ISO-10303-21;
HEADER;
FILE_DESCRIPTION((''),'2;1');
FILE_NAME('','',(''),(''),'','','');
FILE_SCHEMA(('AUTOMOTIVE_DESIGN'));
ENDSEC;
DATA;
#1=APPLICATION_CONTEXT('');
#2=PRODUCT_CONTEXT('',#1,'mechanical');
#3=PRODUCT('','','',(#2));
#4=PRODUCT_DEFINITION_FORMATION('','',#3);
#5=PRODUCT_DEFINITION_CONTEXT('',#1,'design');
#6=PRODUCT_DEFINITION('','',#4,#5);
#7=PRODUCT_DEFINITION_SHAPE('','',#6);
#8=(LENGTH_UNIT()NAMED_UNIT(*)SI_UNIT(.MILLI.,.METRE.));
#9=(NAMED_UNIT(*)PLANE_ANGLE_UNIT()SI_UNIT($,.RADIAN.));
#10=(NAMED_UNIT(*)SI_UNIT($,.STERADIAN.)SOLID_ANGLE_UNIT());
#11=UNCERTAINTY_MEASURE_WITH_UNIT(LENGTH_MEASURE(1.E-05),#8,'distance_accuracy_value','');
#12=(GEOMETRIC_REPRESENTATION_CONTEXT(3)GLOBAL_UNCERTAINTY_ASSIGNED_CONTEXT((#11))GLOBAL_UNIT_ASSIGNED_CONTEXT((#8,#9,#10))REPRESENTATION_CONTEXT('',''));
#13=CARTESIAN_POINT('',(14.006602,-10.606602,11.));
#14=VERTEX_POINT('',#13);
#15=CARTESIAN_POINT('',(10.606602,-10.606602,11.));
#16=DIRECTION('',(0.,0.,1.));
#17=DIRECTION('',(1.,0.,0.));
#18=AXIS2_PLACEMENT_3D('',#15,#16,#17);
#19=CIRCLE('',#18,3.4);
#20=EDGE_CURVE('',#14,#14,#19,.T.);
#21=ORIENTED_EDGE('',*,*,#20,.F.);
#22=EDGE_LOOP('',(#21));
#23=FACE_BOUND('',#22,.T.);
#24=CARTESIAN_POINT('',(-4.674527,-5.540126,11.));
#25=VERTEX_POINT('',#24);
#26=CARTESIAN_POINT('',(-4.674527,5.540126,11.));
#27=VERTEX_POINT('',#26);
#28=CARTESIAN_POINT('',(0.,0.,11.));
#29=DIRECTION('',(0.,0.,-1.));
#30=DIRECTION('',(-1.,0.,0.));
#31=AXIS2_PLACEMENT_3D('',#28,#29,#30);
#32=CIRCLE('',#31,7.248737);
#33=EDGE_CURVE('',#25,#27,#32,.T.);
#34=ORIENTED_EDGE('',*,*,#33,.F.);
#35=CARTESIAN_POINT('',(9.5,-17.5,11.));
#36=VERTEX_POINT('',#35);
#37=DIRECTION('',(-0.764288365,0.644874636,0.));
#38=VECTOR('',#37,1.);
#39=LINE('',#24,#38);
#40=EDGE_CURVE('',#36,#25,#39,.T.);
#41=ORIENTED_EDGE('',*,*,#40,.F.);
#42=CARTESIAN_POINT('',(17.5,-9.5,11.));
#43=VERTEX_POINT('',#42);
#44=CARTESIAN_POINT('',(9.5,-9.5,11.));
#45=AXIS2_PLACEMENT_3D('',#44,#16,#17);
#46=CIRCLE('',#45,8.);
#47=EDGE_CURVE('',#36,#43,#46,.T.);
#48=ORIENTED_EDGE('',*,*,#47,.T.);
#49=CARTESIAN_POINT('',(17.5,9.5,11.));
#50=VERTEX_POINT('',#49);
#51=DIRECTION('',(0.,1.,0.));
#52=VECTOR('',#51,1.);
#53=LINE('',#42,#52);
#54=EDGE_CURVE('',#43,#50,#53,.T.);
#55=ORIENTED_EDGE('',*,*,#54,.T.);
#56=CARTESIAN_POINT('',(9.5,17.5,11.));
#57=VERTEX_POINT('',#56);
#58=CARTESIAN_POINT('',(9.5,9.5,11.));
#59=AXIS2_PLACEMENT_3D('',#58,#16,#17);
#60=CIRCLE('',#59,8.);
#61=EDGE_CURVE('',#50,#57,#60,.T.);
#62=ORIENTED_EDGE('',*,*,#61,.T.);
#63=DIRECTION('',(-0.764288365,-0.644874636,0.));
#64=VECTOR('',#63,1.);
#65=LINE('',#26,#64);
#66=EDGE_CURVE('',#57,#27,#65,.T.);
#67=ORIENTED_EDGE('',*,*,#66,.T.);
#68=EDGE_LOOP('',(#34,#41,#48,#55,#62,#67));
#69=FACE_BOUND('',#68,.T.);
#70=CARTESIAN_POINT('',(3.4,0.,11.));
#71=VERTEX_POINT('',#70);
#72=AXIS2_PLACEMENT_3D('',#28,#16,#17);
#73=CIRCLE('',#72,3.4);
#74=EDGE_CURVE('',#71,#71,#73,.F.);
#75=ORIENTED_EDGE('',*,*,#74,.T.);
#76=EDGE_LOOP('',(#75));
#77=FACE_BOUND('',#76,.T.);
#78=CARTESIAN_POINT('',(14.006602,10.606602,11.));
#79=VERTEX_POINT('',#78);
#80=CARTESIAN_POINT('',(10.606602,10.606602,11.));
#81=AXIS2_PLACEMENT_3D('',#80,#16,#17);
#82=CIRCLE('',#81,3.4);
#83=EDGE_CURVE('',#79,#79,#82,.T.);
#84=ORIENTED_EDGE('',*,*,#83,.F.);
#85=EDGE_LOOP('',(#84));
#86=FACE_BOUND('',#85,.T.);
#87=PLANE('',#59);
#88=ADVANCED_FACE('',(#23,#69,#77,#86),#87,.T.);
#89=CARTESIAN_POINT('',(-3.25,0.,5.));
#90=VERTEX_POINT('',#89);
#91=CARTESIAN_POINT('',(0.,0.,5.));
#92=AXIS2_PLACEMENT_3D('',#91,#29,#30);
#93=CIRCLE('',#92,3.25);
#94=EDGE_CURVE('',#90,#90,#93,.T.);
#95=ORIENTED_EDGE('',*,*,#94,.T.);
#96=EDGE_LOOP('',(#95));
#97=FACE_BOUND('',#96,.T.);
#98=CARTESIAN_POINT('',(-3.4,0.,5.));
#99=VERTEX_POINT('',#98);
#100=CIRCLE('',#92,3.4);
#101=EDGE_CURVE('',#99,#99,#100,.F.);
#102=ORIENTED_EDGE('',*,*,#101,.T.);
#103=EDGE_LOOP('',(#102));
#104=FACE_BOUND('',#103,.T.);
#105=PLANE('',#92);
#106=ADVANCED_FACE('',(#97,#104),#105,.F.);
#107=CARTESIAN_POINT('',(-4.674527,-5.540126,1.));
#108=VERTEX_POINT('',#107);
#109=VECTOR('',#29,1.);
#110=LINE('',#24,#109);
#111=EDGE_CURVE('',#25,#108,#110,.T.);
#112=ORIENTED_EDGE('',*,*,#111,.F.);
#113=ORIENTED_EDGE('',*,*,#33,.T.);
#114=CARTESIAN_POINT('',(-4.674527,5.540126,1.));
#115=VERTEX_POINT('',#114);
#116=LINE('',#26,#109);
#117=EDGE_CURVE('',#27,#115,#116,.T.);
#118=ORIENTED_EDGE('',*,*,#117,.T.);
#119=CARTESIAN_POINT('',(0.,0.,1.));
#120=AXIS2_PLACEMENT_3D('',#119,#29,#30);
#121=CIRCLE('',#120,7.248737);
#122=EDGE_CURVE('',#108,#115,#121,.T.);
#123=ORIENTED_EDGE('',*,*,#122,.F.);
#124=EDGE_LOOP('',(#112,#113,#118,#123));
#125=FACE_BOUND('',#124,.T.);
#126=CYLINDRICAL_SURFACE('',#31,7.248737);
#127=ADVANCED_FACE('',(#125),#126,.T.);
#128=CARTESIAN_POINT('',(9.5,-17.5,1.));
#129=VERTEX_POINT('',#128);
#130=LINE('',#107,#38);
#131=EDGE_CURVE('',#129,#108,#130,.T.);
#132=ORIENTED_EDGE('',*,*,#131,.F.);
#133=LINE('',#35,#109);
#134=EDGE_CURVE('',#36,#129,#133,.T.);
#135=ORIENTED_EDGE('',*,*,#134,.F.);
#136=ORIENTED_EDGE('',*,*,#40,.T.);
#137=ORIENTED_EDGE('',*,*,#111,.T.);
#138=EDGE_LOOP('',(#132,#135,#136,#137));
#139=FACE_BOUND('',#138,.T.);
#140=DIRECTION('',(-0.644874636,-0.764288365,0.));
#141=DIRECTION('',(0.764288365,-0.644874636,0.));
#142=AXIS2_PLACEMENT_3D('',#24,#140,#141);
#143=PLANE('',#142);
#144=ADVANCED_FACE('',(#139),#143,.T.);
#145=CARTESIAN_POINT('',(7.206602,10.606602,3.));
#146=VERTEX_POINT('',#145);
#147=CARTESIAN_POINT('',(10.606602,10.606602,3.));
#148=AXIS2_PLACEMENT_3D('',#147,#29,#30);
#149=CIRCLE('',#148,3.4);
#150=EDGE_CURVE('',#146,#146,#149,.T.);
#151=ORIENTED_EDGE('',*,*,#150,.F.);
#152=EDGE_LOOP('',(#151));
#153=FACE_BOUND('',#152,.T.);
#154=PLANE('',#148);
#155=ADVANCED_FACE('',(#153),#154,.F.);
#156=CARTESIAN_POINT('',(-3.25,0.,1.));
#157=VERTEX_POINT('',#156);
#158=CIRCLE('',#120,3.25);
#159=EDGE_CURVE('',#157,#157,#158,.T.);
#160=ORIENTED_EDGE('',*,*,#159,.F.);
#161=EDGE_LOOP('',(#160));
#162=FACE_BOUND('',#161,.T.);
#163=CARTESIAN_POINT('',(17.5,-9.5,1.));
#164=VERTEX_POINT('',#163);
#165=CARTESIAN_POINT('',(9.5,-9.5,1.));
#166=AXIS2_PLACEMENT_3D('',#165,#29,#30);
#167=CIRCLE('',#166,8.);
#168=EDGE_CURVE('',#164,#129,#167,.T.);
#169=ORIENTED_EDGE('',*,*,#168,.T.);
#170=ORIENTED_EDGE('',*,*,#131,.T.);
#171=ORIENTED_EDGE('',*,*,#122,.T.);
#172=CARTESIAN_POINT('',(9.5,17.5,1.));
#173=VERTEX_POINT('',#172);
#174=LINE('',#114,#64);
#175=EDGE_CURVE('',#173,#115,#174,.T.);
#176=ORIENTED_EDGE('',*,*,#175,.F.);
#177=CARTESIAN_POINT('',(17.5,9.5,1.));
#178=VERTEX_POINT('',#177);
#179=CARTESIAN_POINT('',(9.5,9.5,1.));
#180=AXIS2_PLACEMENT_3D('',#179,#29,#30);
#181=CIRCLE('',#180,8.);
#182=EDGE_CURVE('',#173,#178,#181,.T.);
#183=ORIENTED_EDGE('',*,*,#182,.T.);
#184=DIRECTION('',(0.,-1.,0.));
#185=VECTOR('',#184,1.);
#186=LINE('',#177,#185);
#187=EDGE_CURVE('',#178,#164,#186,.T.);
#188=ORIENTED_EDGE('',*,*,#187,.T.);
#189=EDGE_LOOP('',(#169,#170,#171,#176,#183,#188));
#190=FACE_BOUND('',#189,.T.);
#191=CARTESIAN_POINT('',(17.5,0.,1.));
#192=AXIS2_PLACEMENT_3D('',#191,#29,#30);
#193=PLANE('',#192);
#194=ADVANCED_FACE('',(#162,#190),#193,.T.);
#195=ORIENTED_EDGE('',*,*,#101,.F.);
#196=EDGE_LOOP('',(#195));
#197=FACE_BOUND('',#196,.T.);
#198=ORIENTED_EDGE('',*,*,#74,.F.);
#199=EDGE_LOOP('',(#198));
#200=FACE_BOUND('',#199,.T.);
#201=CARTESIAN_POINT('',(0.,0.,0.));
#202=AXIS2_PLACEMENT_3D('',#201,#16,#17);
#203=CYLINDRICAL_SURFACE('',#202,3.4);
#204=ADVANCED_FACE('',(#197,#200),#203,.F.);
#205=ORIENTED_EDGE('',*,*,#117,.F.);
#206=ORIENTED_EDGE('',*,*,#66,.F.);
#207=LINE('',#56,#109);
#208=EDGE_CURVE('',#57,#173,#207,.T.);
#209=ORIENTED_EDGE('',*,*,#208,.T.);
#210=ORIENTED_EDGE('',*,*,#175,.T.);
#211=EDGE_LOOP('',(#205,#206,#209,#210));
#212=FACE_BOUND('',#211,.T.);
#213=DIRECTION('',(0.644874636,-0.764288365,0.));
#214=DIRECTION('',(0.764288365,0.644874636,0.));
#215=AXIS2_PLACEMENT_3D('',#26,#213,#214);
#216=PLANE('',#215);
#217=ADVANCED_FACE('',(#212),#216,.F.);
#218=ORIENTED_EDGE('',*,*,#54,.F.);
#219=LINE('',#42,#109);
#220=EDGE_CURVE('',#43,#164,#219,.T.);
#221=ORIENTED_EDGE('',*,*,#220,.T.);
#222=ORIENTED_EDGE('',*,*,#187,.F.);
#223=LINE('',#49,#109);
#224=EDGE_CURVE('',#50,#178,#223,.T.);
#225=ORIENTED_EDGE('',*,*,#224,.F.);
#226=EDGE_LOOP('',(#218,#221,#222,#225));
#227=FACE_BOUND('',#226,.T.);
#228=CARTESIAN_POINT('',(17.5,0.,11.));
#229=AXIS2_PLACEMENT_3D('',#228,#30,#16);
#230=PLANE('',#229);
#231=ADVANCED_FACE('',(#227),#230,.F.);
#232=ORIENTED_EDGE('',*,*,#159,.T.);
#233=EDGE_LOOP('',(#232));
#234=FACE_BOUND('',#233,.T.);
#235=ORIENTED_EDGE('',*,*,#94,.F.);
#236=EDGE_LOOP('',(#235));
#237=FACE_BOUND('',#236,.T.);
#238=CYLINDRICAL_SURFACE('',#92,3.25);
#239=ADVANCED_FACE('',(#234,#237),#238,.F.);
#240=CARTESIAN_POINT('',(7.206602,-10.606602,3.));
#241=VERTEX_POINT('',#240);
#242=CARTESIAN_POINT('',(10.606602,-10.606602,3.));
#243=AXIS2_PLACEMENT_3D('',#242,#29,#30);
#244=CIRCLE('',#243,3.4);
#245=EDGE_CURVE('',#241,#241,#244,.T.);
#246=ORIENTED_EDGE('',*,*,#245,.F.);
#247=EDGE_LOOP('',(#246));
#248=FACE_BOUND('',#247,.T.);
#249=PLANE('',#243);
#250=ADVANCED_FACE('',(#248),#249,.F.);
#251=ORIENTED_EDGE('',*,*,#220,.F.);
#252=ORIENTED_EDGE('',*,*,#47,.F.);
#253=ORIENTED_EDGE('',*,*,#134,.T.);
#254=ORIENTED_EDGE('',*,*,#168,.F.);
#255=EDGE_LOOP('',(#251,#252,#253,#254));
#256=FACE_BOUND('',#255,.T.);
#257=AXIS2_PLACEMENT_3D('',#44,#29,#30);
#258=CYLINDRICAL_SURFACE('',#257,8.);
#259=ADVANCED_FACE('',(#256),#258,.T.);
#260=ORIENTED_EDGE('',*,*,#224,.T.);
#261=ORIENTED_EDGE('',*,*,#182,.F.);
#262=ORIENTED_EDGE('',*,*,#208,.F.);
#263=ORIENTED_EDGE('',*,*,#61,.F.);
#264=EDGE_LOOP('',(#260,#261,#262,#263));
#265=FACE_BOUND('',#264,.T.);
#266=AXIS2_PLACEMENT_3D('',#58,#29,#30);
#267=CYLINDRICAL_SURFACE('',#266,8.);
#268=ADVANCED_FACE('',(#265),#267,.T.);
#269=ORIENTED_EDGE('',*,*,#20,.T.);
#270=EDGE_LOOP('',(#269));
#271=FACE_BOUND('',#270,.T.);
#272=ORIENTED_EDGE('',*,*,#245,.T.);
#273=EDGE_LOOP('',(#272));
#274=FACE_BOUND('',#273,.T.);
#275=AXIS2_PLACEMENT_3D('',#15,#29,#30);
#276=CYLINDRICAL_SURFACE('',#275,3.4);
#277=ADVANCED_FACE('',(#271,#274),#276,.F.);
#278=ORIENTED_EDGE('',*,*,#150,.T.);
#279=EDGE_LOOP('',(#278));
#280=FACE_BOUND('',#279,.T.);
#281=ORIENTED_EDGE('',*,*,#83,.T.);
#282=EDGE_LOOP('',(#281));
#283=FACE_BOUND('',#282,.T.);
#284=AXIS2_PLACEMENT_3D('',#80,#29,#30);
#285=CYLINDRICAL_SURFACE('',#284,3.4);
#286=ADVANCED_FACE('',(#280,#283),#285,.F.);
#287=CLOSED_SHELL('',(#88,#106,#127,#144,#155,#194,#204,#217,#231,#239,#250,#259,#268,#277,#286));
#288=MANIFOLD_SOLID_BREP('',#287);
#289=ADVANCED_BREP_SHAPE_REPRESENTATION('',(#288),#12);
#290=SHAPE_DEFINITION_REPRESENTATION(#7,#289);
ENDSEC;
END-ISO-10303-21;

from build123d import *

# Parameters (mm, degrees)
SKETCH_1_R          = 3.4
EXTRUDE_1_DEPTH     = 11
SKETCH_2_R          = 3.4
EXTRUDE_2_DEPTH     = 3
SKETCH_3_R          = 3.4
CUT_EXTRUDE_1_DEPTH = 28.083205128
CUT_EXTRUDE_START   = -5
SKETCH_4_R          = 6
SKETCH_4_R_2        = 3.4
CUT_EXTRUDE_2_DEPTH = 5
CUT_EXTRUDE_3_DEPTH = 28.083205128
CUT_EXTRUDE_5_DEPTH = 28.083205128
SKETCH_8_R          = 3.4
EXTRUDE_3_DEPTH     = 1
CUT_EXTRUDE_START_2 = -1
CUT_EXTRUDE_6_DEPTH = 1
CUT_EXTRUDE_7_DEPTH = 1
CUT_EXTRUDE_START_3 = -10
CUT_EXTRUDE_8_DEPTH = 10
EXTRUDE_START       = -4
SKETCH_12_R         = 6
SKETCH_12_R_2       = 3.25
EXTRUDE_5_DEPTH     = 4


with BuildPart() as part:
    # 草图1 → 凸台-拉伸1 (new body)
    with BuildSketch(Plane.XY):
        with BuildLine():
            Line((-9.5, -17.5), (9.5, -17.5))
            ThreePointArc((9.5, -17.5), (15.156854249, -15.156854249), (17.5, -9.5))
            Line((17.5, -9.5), (17.5, 9.5))
            ThreePointArc((17.5, 9.5), (15.156854249, 15.156854249), (9.5, 17.5))
            Line((9.5, 17.5), (-9.5, 17.5))
            ThreePointArc((-9.5, 17.5), (-15.156854249, 15.156854249), (-17.5, 9.5))
            Line((-17.5, 9.5), (-17.5, -9.5))
            ThreePointArc((-17.5, -9.5), (-15.156854249, -15.156854249), (-9.5, -17.5))
        make_face()
        with Locations((10.606601718, 10.606601718)):
            Circle(SKETCH_1_R, mode=Mode.SUBTRACT)
        with Locations((10.606601718, -10.606601718)):
            Circle(SKETCH_1_R, mode=Mode.SUBTRACT)
        with Locations((-10.606601718, -10.606601718)):
            Circle(SKETCH_1_R, mode=Mode.SUBTRACT)
        with Locations((-10.606601718, 10.606601718)):
            Circle(SKETCH_1_R, mode=Mode.SUBTRACT)
    extrude(amount=EXTRUDE_1_DEPTH)

    # 草图2 → 凸台-拉伸2 (add)
    with BuildSketch(Plane(origin=(0, 0, 0), x_dir=(-1, 0, 0), z_dir=(0, 0, -1))):
        with Locations((10.606601718, -10.606601718)):
            Circle(SKETCH_2_R)
        with Locations((-10.606601718, -10.606601718)):
            Circle(SKETCH_2_R)
        with Locations((10.606601718, 10.606601718)):
            Circle(SKETCH_2_R)
        with Locations((-10.606601718, 10.606601718)):
            Circle(SKETCH_2_R)
    extrude(amount=-EXTRUDE_2_DEPTH)

    # 草图3 → 切除-拉伸1 (cut, through all)
    with BuildSketch(Plane.XY.offset(11)):
        Circle(SKETCH_3_R)
    extrude(amount=-CUT_EXTRUDE_1_DEPTH, mode=Mode.SUBTRACT)

    # 草图4 → 切除-拉伸2 (cut)
    with BuildSketch(Plane(origin=(0, 0, 0), x_dir=(-1, 0, 0), z_dir=(0, 0, -1)).offset(CUT_EXTRUDE_START)):
        Circle(SKETCH_4_R)
        with Locations(Location((0, 0, 0), (0, 0, 180))):
            Circle(SKETCH_4_R_2, mode=Mode.SUBTRACT)
    extrude(amount=CUT_EXTRUDE_2_DEPTH, mode=Mode.SUBTRACT)

    # 草图6 → 切除-拉伸3 (cut, through all)
    with BuildSketch(Plane(origin=(0, 0, 0), x_dir=(-1, 0, 0), z_dir=(0, 0, -1))):
        with BuildLine():
            Line((9.5, 17.5), (0, 17.5))
            Line((0, 17.5), (17.5, 0))
            Line((17.5, 0), (17.5, 9.5))
            ThreePointArc((17.5, 9.5), (15.156854249, 15.156854249), (9.5, 17.5))
        make_face()
        with BuildLine():
            Line((17.5, -9.5), (17.5, 0))
            Line((17.5, 0), (0, -17.5))
            Line((0, -17.5), (9.5, -17.5))
            ThreePointArc((9.5, -17.5), (15.156854249, -15.156854249), (17.5, -9.5))
        make_face()
    extrude(amount=-CUT_EXTRUDE_3_DEPTH, mode=Mode.SUBTRACT)

    # 草图7 → 切除-拉伸5 (cut, through all)
    with BuildSketch(Plane.XY.offset(11)):
        with BuildLine():
            Line((-7.222574041, -10.277425959), (0, -17.5))
            ThreePointArc((0, -17.5), (-7.248737342, 0), (0, 17.5))
            Line((0, 17.5), (-7.222574041, 10.277425959))
            ThreePointArc((-7.222574041, 10.277425959), (-8.202438662, 8.202438662), (-10.277425959, 7.222574041))
            Line((-10.277425959, 7.222574041), (-17.5, 0))
            Line((-17.5, 0), (-10.277425959, -7.222574041))
            ThreePointArc((-10.277425959, -7.222574041), (-8.202438662, -8.202438662), (-7.222574041, -10.277425959))
        make_face()
        with BuildLine():
            Line((-10.277425959, -7.222574041), (-7.222574041, -10.277425959))
            ThreePointArc((-7.222574041, -10.277425959), (-8.202438662, -8.202438662), (-10.277425959, -7.222574041))
        make_face()
        with BuildLine():
            ThreePointArc((-10.277425959, 7.222574041), (-8.202438662, 8.202438662), (-7.222574041, 10.277425959))
            Line((-7.222574041, 10.277425959), (-10.277425959, 7.222574041))
        make_face()
    extrude(amount=-CUT_EXTRUDE_5_DEPTH, mode=Mode.SUBTRACT)

    # 草图8 → 凸台-拉伸3 (add)
    with BuildSketch(Plane.XY.offset(11)):
        with BuildLine():
            Line((9.5, 17.5), (0, 17.5))
            ThreePointArc((0, 17.5), (-7.248737342, 0), (0, -17.5))
            Line((0, -17.5), (9.5, -17.5))
            ThreePointArc((9.5, -17.5), (15.156854249, -15.156854249), (17.5, -9.5))
            Line((17.5, -9.5), (17.5, 9.5))
            ThreePointArc((17.5, 9.5), (15.156854249, 15.156854249), (9.5, 17.5))
        make_face()
        Circle(SKETCH_8_R, mode=Mode.SUBTRACT)
        with Locations(Location((10.606601718, 10.606601718, 0), (0, 0, 180))):
            Circle(SKETCH_8_R, mode=Mode.SUBTRACT)
        with Locations(Location((10.606601718, -10.606601718, 0), (0, 0, 180))):
            Circle(SKETCH_8_R, mode=Mode.SUBTRACT)
    extrude(amount=EXTRUDE_3_DEPTH)

    # 草图9 → 切除-拉伸6 (cut)
    with BuildSketch(Plane.XY.offset(12).offset(CUT_EXTRUDE_START_2)):
        with BuildLine():
            Line((9.5, 17.5), (0, 17.5))
            ThreePointArc((0, 17.5), (-7.248737342, 0), (0, -17.5))
            Line((0, -17.5), (9.5, -17.5))
            ThreePointArc((9.5, -17.5), (15.156854249, -15.156854249), (17.5, -9.5))
            Line((17.5, -9.5), (17.5, 9.5))
            ThreePointArc((17.5, 9.5), (15.156854249, 15.156854249), (9.5, 17.5))
        make_face()
    extrude(amount=CUT_EXTRUDE_6_DEPTH, mode=Mode.SUBTRACT)

    # 草图10 → 切除-拉伸7 (cut)
    with BuildSketch(Plane(origin=(0, 0, 0), x_dir=(-1, 0, 0), z_dir=(0, 0, -1))):
        with BuildLine():
            Line((0, 17.5), (-9.5, 17.5))
            ThreePointArc((-9.5, 17.5), (-15.156854249, 15.156854249), (-17.5, 9.5))
            Line((-17.5, 9.5), (-17.5, -9.5))
            ThreePointArc((-17.5, -9.5), (-15.156854249, -15.156854249), (-9.5, -17.5))
            Line((-9.5, -17.5), (0, -17.5))
            ThreePointArc((0, -17.5), (7.248737342, 0), (0, 17.5))
        make_face()
    extrude(amount=-CUT_EXTRUDE_7_DEPTH, mode=Mode.SUBTRACT)

    # 草图11 → 切除-拉伸8 (cut)
    with BuildSketch(Plane(origin=(0, 0, 1), x_dir=(-1, 0, 0), z_dir=(0, 0, -1)).offset(CUT_EXTRUDE_START_3)):
        with BuildLine():
            Line((0, 17.5), (-9.5, 17.5))
            Line((-9.5, 17.5), (4.674526852, 5.540125608))
            ThreePointArc((4.674526852, 5.540125608), (6.573758833, 3.054486512), (7.248737342, 0))
            ThreePointArc((7.248737342, 0), (5.364851885, 9.470931753), (0, 17.5))
        make_face()
        with BuildLine():
            ThreePointArc((0, -17.5), (5.364851885, -9.470931753), (7.248737342, 0))
            ThreePointArc((7.248737342, 0), (6.573758833, -3.054486512), (4.674526852, -5.540125608))
            Line((4.674526852, -5.540125608), (-9.5, -17.5))
            Line((-9.5, -17.5), (0, -17.5))
        make_face()
    extrude(amount=CUT_EXTRUDE_8_DEPTH, mode=Mode.SUBTRACT)

    # 草图12 → 凸台-拉伸5 (add)
    with BuildSketch(Plane(origin=(0, 0, 1), x_dir=(-1, 0, 0), z_dir=(0, 0, -1)).offset(EXTRUDE_START)):
        Circle(SKETCH_12_R)
        Circle(SKETCH_12_R_2, mode=Mode.SUBTRACT)
    extrude(amount=EXTRUDE_5_DEPTH)


solid = part.part
